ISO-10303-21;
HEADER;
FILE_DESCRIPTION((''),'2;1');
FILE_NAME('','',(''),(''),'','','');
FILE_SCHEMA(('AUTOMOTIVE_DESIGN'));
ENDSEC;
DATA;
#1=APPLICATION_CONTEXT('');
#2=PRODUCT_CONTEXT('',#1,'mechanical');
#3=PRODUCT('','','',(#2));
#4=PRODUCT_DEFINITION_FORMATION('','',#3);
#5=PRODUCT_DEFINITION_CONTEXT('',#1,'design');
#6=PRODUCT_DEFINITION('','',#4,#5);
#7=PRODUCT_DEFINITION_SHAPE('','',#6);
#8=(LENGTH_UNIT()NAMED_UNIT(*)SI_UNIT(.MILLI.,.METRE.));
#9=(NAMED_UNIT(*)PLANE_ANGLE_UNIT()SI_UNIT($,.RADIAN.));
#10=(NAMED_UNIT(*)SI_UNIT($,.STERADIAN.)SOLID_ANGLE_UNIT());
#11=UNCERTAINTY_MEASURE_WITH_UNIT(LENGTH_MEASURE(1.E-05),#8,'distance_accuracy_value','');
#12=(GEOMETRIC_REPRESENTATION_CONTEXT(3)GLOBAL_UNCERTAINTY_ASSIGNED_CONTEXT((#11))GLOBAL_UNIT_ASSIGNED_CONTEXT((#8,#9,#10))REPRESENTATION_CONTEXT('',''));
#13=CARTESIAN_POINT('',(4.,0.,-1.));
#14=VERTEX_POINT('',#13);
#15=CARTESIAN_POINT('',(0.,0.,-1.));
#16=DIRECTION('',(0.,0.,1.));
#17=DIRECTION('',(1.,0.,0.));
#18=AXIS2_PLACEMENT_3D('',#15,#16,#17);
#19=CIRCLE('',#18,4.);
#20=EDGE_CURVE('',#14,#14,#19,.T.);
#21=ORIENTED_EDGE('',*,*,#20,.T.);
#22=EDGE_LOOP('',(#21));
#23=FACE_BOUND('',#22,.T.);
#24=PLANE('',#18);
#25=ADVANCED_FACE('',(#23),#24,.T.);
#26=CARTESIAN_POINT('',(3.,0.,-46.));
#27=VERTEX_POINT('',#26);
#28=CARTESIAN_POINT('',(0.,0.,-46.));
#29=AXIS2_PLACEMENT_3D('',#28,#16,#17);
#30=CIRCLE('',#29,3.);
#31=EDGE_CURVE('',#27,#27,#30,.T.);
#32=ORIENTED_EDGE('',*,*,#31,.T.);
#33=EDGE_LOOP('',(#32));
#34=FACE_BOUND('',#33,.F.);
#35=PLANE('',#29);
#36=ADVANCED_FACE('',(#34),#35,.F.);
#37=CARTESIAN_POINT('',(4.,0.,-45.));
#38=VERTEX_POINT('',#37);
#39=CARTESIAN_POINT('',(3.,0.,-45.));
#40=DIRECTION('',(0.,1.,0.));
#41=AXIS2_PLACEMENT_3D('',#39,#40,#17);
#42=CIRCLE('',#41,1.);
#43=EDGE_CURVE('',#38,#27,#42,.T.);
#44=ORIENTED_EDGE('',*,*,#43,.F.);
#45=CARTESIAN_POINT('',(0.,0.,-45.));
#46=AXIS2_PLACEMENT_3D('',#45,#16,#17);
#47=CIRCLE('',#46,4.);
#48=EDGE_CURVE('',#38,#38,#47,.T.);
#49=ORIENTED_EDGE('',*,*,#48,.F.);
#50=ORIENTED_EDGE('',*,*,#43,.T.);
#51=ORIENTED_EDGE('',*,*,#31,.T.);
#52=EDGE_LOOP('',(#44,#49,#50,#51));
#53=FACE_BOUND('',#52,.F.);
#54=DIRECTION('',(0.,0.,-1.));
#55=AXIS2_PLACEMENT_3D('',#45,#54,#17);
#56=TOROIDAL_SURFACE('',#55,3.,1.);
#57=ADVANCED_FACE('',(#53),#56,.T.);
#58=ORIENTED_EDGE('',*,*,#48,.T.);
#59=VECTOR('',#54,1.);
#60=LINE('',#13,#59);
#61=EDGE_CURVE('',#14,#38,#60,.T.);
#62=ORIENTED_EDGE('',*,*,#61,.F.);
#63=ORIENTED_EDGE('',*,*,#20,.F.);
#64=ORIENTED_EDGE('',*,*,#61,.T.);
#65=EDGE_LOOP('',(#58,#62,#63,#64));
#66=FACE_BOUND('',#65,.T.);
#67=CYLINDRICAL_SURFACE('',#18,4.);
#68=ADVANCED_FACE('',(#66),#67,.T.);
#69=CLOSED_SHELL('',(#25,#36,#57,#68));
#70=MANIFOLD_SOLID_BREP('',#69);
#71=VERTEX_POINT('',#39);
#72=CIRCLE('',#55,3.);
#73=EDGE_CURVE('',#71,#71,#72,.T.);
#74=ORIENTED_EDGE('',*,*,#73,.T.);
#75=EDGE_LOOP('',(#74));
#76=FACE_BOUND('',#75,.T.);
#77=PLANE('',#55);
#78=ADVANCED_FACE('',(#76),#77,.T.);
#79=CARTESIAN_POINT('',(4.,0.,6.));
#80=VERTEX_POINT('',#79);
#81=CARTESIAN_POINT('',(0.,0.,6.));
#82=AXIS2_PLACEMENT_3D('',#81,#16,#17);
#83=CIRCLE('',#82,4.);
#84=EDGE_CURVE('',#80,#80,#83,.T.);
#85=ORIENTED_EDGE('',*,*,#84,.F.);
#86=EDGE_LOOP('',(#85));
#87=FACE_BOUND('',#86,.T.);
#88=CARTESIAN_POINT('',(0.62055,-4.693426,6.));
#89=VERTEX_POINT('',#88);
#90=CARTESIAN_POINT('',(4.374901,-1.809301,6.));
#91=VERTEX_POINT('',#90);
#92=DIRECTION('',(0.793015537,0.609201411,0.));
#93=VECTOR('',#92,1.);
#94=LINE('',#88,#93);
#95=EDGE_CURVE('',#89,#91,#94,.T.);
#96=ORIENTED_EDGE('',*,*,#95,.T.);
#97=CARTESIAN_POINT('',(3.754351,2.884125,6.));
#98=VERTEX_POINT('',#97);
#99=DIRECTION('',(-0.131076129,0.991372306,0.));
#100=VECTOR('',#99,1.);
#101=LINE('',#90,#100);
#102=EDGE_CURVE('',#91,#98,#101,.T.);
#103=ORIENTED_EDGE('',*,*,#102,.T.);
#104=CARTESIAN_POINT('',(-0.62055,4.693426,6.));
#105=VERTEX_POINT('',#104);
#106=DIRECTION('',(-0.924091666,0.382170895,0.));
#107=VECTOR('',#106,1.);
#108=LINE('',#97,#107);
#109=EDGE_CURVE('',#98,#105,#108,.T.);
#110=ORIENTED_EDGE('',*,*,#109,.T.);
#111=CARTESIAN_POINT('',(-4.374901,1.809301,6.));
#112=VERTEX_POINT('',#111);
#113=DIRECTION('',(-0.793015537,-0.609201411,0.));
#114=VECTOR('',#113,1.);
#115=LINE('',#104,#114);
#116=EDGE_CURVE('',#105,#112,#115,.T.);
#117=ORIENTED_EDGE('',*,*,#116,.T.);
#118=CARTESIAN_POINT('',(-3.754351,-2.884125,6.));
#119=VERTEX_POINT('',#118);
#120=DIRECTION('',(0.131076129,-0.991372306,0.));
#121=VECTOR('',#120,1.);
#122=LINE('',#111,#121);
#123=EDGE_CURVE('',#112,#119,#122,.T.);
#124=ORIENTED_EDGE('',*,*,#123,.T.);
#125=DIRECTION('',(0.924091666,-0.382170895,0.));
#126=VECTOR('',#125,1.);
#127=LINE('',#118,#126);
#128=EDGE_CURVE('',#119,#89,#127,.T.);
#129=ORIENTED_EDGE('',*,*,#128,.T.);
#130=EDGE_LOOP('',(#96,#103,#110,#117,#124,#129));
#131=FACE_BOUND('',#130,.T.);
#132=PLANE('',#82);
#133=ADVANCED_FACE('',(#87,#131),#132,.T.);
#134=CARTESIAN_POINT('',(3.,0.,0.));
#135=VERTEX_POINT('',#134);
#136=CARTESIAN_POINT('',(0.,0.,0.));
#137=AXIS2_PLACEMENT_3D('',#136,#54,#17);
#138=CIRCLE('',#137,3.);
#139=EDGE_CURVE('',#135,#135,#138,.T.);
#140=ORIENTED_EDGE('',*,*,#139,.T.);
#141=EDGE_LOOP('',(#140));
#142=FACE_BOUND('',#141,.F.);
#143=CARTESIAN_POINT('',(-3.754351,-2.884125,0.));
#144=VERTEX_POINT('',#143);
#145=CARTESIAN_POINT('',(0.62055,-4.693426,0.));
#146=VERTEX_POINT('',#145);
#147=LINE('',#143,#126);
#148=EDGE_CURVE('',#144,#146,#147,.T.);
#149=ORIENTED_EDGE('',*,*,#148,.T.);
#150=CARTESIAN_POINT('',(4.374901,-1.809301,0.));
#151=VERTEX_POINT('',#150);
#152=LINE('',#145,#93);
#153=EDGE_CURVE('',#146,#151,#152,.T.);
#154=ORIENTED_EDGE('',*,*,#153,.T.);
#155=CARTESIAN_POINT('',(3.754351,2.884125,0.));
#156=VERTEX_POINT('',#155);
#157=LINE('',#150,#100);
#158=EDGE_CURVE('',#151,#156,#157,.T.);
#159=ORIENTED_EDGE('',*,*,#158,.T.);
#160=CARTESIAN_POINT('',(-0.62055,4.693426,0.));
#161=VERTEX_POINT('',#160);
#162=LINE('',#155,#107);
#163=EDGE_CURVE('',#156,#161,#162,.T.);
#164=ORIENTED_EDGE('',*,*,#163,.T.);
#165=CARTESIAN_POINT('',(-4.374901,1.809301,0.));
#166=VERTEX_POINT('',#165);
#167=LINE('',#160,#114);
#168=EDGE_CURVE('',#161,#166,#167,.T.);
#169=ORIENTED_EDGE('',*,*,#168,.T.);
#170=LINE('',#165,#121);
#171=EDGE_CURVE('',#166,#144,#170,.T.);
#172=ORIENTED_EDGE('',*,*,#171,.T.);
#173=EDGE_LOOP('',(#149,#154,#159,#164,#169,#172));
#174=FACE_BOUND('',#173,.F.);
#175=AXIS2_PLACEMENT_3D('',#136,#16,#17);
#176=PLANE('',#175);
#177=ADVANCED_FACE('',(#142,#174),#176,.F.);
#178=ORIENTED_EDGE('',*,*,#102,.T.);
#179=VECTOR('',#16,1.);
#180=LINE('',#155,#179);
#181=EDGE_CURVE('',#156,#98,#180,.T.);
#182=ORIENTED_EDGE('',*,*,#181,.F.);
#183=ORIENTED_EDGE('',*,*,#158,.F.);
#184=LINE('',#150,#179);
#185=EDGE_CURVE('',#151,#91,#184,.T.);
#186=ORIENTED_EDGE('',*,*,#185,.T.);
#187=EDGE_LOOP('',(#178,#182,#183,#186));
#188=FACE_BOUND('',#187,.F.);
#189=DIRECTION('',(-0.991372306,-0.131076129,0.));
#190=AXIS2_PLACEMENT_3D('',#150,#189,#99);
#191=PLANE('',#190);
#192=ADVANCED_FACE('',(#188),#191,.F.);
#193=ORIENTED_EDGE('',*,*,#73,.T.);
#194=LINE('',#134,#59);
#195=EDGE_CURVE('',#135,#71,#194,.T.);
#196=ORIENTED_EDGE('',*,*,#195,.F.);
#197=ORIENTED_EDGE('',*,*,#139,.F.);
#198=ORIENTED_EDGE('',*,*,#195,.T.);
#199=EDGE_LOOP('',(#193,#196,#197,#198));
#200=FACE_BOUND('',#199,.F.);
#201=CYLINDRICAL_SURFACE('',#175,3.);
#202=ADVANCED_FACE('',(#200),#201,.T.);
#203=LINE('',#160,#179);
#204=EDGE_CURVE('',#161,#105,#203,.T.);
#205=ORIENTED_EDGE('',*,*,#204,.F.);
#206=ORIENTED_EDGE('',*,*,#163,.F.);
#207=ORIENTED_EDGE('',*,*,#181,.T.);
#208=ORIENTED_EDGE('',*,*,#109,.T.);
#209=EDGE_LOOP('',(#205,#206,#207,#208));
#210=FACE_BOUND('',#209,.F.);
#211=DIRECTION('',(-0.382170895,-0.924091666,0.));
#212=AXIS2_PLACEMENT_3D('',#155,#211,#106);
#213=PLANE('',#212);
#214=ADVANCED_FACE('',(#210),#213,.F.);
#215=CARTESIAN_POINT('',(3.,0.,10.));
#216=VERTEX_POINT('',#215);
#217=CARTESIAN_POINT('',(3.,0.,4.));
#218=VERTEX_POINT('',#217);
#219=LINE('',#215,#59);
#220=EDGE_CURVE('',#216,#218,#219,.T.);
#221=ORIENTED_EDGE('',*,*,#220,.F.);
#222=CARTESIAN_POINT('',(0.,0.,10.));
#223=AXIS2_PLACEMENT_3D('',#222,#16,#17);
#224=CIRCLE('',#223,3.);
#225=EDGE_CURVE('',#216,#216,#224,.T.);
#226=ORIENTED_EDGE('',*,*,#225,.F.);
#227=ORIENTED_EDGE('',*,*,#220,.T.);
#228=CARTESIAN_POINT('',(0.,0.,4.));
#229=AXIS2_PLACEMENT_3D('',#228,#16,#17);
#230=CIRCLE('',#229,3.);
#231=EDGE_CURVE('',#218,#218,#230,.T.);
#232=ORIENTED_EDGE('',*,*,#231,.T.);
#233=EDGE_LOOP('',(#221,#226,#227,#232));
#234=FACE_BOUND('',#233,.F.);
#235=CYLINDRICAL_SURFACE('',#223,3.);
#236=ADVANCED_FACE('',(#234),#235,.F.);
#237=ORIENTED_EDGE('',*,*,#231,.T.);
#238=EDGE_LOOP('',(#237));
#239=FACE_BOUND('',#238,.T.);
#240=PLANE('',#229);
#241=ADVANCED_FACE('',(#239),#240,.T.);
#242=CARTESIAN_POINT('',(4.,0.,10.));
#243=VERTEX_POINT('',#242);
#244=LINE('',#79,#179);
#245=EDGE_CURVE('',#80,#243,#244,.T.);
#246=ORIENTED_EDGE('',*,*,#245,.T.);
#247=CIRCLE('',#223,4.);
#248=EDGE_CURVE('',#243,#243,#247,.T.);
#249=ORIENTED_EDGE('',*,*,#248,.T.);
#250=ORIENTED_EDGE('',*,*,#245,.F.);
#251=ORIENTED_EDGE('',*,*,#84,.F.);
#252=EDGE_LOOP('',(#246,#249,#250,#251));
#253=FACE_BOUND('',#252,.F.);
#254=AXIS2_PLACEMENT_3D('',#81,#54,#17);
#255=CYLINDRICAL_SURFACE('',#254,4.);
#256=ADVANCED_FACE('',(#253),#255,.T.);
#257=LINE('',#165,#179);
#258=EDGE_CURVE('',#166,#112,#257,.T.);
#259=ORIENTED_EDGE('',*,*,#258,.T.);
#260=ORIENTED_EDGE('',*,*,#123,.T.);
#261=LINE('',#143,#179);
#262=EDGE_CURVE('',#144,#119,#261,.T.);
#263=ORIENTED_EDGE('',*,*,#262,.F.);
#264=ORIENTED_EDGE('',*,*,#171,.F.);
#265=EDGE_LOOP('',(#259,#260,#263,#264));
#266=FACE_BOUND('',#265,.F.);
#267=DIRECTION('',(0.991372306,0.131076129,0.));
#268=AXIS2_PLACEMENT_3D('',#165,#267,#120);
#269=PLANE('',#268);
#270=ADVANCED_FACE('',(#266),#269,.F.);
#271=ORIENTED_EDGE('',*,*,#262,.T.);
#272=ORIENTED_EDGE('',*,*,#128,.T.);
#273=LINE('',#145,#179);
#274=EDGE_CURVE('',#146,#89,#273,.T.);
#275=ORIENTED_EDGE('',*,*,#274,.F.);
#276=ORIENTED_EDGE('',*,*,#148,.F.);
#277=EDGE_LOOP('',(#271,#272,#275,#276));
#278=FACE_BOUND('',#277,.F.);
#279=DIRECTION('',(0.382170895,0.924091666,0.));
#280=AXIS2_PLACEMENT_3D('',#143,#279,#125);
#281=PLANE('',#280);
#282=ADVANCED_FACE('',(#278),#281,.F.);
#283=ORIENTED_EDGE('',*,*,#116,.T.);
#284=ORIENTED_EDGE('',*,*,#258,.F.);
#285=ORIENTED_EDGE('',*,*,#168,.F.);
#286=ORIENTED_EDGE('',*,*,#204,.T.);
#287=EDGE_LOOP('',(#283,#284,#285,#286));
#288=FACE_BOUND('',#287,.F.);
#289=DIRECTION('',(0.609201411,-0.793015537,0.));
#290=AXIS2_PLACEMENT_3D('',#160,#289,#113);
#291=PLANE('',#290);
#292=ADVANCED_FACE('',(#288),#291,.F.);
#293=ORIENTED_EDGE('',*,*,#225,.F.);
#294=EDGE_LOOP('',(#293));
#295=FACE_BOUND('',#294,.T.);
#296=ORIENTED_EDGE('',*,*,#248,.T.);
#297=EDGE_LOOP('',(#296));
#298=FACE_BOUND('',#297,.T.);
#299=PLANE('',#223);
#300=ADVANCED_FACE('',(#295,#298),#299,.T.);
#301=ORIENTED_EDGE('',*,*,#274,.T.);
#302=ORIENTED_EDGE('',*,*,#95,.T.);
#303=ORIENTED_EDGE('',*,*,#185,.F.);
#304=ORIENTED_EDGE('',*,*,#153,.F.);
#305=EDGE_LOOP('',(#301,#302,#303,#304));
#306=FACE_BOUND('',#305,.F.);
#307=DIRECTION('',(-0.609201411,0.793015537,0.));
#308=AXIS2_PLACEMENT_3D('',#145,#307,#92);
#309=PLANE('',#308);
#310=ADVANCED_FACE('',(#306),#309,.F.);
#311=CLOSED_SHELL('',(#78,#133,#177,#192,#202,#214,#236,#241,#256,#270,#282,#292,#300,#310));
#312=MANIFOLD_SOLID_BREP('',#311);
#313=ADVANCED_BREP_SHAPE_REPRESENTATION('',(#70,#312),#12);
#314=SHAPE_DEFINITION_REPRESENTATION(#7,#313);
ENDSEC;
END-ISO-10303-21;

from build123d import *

# Parameters (mm, degrees)
F1_DEPTH  = 6
F2_R      = 3
F3_DEPTH  = 45
F4_R      = 4
F5_DEPTH  = 4
F6_R      = 3
F7_DEPTH  = 6
F9_R      = 4
F10_DEPTH = 45
F11_R     = 1


with BuildPart() as f1:
    # F0 (on Top) → F1 (new body)
    with BuildSketch(Plane.XY):
        Polygon((3.7543514148, 2.8841253072), (-0.6205500764, 4.6934263535), (-4.3749014911, 1.8093010463), (-3.7543514148, -2.8841253072), (0.6205500764, -4.6934263535), (4.3749014911, -1.8093010463), align=None)
    extrude(amount=F1_DEPTH)

    # F2 (on face) → F3 (join)
    with BuildSketch(Plane(origin=(0, 0, 0), x_dir=(1, 0, 0), z_dir=(0, 0, -1))):
        Circle(F2_R)
    extrude(amount=F3_DEPTH)

    # F4 (on face) → F5 (join)
    with BuildSketch(Plane.XY.offset(6)):
        Circle(F4_R)
    extrude(amount=F5_DEPTH)

    # F6 (on face) → F7 (cut)
    with BuildSketch(Plane.XY.offset(10)):
        Circle(F6_R)
    extrude(amount=-F7_DEPTH, mode=Mode.SUBTRACT)


with BuildPart() as f10:
    # F9 (on offset) → F10 (new body)
    with BuildSketch(Plane.XY.offset(-1)):
        Circle(F9_R)
    extrude(amount=-F10_DEPTH)

    # F11
    f11_edges = [f10.edges().sort_by_distance(p)[0] for p in [
        (-4, 0, -46),
    ]]
    fillet(f11_edges, radius=F11_R)


solid = Compound([f1.part, f10.part])
